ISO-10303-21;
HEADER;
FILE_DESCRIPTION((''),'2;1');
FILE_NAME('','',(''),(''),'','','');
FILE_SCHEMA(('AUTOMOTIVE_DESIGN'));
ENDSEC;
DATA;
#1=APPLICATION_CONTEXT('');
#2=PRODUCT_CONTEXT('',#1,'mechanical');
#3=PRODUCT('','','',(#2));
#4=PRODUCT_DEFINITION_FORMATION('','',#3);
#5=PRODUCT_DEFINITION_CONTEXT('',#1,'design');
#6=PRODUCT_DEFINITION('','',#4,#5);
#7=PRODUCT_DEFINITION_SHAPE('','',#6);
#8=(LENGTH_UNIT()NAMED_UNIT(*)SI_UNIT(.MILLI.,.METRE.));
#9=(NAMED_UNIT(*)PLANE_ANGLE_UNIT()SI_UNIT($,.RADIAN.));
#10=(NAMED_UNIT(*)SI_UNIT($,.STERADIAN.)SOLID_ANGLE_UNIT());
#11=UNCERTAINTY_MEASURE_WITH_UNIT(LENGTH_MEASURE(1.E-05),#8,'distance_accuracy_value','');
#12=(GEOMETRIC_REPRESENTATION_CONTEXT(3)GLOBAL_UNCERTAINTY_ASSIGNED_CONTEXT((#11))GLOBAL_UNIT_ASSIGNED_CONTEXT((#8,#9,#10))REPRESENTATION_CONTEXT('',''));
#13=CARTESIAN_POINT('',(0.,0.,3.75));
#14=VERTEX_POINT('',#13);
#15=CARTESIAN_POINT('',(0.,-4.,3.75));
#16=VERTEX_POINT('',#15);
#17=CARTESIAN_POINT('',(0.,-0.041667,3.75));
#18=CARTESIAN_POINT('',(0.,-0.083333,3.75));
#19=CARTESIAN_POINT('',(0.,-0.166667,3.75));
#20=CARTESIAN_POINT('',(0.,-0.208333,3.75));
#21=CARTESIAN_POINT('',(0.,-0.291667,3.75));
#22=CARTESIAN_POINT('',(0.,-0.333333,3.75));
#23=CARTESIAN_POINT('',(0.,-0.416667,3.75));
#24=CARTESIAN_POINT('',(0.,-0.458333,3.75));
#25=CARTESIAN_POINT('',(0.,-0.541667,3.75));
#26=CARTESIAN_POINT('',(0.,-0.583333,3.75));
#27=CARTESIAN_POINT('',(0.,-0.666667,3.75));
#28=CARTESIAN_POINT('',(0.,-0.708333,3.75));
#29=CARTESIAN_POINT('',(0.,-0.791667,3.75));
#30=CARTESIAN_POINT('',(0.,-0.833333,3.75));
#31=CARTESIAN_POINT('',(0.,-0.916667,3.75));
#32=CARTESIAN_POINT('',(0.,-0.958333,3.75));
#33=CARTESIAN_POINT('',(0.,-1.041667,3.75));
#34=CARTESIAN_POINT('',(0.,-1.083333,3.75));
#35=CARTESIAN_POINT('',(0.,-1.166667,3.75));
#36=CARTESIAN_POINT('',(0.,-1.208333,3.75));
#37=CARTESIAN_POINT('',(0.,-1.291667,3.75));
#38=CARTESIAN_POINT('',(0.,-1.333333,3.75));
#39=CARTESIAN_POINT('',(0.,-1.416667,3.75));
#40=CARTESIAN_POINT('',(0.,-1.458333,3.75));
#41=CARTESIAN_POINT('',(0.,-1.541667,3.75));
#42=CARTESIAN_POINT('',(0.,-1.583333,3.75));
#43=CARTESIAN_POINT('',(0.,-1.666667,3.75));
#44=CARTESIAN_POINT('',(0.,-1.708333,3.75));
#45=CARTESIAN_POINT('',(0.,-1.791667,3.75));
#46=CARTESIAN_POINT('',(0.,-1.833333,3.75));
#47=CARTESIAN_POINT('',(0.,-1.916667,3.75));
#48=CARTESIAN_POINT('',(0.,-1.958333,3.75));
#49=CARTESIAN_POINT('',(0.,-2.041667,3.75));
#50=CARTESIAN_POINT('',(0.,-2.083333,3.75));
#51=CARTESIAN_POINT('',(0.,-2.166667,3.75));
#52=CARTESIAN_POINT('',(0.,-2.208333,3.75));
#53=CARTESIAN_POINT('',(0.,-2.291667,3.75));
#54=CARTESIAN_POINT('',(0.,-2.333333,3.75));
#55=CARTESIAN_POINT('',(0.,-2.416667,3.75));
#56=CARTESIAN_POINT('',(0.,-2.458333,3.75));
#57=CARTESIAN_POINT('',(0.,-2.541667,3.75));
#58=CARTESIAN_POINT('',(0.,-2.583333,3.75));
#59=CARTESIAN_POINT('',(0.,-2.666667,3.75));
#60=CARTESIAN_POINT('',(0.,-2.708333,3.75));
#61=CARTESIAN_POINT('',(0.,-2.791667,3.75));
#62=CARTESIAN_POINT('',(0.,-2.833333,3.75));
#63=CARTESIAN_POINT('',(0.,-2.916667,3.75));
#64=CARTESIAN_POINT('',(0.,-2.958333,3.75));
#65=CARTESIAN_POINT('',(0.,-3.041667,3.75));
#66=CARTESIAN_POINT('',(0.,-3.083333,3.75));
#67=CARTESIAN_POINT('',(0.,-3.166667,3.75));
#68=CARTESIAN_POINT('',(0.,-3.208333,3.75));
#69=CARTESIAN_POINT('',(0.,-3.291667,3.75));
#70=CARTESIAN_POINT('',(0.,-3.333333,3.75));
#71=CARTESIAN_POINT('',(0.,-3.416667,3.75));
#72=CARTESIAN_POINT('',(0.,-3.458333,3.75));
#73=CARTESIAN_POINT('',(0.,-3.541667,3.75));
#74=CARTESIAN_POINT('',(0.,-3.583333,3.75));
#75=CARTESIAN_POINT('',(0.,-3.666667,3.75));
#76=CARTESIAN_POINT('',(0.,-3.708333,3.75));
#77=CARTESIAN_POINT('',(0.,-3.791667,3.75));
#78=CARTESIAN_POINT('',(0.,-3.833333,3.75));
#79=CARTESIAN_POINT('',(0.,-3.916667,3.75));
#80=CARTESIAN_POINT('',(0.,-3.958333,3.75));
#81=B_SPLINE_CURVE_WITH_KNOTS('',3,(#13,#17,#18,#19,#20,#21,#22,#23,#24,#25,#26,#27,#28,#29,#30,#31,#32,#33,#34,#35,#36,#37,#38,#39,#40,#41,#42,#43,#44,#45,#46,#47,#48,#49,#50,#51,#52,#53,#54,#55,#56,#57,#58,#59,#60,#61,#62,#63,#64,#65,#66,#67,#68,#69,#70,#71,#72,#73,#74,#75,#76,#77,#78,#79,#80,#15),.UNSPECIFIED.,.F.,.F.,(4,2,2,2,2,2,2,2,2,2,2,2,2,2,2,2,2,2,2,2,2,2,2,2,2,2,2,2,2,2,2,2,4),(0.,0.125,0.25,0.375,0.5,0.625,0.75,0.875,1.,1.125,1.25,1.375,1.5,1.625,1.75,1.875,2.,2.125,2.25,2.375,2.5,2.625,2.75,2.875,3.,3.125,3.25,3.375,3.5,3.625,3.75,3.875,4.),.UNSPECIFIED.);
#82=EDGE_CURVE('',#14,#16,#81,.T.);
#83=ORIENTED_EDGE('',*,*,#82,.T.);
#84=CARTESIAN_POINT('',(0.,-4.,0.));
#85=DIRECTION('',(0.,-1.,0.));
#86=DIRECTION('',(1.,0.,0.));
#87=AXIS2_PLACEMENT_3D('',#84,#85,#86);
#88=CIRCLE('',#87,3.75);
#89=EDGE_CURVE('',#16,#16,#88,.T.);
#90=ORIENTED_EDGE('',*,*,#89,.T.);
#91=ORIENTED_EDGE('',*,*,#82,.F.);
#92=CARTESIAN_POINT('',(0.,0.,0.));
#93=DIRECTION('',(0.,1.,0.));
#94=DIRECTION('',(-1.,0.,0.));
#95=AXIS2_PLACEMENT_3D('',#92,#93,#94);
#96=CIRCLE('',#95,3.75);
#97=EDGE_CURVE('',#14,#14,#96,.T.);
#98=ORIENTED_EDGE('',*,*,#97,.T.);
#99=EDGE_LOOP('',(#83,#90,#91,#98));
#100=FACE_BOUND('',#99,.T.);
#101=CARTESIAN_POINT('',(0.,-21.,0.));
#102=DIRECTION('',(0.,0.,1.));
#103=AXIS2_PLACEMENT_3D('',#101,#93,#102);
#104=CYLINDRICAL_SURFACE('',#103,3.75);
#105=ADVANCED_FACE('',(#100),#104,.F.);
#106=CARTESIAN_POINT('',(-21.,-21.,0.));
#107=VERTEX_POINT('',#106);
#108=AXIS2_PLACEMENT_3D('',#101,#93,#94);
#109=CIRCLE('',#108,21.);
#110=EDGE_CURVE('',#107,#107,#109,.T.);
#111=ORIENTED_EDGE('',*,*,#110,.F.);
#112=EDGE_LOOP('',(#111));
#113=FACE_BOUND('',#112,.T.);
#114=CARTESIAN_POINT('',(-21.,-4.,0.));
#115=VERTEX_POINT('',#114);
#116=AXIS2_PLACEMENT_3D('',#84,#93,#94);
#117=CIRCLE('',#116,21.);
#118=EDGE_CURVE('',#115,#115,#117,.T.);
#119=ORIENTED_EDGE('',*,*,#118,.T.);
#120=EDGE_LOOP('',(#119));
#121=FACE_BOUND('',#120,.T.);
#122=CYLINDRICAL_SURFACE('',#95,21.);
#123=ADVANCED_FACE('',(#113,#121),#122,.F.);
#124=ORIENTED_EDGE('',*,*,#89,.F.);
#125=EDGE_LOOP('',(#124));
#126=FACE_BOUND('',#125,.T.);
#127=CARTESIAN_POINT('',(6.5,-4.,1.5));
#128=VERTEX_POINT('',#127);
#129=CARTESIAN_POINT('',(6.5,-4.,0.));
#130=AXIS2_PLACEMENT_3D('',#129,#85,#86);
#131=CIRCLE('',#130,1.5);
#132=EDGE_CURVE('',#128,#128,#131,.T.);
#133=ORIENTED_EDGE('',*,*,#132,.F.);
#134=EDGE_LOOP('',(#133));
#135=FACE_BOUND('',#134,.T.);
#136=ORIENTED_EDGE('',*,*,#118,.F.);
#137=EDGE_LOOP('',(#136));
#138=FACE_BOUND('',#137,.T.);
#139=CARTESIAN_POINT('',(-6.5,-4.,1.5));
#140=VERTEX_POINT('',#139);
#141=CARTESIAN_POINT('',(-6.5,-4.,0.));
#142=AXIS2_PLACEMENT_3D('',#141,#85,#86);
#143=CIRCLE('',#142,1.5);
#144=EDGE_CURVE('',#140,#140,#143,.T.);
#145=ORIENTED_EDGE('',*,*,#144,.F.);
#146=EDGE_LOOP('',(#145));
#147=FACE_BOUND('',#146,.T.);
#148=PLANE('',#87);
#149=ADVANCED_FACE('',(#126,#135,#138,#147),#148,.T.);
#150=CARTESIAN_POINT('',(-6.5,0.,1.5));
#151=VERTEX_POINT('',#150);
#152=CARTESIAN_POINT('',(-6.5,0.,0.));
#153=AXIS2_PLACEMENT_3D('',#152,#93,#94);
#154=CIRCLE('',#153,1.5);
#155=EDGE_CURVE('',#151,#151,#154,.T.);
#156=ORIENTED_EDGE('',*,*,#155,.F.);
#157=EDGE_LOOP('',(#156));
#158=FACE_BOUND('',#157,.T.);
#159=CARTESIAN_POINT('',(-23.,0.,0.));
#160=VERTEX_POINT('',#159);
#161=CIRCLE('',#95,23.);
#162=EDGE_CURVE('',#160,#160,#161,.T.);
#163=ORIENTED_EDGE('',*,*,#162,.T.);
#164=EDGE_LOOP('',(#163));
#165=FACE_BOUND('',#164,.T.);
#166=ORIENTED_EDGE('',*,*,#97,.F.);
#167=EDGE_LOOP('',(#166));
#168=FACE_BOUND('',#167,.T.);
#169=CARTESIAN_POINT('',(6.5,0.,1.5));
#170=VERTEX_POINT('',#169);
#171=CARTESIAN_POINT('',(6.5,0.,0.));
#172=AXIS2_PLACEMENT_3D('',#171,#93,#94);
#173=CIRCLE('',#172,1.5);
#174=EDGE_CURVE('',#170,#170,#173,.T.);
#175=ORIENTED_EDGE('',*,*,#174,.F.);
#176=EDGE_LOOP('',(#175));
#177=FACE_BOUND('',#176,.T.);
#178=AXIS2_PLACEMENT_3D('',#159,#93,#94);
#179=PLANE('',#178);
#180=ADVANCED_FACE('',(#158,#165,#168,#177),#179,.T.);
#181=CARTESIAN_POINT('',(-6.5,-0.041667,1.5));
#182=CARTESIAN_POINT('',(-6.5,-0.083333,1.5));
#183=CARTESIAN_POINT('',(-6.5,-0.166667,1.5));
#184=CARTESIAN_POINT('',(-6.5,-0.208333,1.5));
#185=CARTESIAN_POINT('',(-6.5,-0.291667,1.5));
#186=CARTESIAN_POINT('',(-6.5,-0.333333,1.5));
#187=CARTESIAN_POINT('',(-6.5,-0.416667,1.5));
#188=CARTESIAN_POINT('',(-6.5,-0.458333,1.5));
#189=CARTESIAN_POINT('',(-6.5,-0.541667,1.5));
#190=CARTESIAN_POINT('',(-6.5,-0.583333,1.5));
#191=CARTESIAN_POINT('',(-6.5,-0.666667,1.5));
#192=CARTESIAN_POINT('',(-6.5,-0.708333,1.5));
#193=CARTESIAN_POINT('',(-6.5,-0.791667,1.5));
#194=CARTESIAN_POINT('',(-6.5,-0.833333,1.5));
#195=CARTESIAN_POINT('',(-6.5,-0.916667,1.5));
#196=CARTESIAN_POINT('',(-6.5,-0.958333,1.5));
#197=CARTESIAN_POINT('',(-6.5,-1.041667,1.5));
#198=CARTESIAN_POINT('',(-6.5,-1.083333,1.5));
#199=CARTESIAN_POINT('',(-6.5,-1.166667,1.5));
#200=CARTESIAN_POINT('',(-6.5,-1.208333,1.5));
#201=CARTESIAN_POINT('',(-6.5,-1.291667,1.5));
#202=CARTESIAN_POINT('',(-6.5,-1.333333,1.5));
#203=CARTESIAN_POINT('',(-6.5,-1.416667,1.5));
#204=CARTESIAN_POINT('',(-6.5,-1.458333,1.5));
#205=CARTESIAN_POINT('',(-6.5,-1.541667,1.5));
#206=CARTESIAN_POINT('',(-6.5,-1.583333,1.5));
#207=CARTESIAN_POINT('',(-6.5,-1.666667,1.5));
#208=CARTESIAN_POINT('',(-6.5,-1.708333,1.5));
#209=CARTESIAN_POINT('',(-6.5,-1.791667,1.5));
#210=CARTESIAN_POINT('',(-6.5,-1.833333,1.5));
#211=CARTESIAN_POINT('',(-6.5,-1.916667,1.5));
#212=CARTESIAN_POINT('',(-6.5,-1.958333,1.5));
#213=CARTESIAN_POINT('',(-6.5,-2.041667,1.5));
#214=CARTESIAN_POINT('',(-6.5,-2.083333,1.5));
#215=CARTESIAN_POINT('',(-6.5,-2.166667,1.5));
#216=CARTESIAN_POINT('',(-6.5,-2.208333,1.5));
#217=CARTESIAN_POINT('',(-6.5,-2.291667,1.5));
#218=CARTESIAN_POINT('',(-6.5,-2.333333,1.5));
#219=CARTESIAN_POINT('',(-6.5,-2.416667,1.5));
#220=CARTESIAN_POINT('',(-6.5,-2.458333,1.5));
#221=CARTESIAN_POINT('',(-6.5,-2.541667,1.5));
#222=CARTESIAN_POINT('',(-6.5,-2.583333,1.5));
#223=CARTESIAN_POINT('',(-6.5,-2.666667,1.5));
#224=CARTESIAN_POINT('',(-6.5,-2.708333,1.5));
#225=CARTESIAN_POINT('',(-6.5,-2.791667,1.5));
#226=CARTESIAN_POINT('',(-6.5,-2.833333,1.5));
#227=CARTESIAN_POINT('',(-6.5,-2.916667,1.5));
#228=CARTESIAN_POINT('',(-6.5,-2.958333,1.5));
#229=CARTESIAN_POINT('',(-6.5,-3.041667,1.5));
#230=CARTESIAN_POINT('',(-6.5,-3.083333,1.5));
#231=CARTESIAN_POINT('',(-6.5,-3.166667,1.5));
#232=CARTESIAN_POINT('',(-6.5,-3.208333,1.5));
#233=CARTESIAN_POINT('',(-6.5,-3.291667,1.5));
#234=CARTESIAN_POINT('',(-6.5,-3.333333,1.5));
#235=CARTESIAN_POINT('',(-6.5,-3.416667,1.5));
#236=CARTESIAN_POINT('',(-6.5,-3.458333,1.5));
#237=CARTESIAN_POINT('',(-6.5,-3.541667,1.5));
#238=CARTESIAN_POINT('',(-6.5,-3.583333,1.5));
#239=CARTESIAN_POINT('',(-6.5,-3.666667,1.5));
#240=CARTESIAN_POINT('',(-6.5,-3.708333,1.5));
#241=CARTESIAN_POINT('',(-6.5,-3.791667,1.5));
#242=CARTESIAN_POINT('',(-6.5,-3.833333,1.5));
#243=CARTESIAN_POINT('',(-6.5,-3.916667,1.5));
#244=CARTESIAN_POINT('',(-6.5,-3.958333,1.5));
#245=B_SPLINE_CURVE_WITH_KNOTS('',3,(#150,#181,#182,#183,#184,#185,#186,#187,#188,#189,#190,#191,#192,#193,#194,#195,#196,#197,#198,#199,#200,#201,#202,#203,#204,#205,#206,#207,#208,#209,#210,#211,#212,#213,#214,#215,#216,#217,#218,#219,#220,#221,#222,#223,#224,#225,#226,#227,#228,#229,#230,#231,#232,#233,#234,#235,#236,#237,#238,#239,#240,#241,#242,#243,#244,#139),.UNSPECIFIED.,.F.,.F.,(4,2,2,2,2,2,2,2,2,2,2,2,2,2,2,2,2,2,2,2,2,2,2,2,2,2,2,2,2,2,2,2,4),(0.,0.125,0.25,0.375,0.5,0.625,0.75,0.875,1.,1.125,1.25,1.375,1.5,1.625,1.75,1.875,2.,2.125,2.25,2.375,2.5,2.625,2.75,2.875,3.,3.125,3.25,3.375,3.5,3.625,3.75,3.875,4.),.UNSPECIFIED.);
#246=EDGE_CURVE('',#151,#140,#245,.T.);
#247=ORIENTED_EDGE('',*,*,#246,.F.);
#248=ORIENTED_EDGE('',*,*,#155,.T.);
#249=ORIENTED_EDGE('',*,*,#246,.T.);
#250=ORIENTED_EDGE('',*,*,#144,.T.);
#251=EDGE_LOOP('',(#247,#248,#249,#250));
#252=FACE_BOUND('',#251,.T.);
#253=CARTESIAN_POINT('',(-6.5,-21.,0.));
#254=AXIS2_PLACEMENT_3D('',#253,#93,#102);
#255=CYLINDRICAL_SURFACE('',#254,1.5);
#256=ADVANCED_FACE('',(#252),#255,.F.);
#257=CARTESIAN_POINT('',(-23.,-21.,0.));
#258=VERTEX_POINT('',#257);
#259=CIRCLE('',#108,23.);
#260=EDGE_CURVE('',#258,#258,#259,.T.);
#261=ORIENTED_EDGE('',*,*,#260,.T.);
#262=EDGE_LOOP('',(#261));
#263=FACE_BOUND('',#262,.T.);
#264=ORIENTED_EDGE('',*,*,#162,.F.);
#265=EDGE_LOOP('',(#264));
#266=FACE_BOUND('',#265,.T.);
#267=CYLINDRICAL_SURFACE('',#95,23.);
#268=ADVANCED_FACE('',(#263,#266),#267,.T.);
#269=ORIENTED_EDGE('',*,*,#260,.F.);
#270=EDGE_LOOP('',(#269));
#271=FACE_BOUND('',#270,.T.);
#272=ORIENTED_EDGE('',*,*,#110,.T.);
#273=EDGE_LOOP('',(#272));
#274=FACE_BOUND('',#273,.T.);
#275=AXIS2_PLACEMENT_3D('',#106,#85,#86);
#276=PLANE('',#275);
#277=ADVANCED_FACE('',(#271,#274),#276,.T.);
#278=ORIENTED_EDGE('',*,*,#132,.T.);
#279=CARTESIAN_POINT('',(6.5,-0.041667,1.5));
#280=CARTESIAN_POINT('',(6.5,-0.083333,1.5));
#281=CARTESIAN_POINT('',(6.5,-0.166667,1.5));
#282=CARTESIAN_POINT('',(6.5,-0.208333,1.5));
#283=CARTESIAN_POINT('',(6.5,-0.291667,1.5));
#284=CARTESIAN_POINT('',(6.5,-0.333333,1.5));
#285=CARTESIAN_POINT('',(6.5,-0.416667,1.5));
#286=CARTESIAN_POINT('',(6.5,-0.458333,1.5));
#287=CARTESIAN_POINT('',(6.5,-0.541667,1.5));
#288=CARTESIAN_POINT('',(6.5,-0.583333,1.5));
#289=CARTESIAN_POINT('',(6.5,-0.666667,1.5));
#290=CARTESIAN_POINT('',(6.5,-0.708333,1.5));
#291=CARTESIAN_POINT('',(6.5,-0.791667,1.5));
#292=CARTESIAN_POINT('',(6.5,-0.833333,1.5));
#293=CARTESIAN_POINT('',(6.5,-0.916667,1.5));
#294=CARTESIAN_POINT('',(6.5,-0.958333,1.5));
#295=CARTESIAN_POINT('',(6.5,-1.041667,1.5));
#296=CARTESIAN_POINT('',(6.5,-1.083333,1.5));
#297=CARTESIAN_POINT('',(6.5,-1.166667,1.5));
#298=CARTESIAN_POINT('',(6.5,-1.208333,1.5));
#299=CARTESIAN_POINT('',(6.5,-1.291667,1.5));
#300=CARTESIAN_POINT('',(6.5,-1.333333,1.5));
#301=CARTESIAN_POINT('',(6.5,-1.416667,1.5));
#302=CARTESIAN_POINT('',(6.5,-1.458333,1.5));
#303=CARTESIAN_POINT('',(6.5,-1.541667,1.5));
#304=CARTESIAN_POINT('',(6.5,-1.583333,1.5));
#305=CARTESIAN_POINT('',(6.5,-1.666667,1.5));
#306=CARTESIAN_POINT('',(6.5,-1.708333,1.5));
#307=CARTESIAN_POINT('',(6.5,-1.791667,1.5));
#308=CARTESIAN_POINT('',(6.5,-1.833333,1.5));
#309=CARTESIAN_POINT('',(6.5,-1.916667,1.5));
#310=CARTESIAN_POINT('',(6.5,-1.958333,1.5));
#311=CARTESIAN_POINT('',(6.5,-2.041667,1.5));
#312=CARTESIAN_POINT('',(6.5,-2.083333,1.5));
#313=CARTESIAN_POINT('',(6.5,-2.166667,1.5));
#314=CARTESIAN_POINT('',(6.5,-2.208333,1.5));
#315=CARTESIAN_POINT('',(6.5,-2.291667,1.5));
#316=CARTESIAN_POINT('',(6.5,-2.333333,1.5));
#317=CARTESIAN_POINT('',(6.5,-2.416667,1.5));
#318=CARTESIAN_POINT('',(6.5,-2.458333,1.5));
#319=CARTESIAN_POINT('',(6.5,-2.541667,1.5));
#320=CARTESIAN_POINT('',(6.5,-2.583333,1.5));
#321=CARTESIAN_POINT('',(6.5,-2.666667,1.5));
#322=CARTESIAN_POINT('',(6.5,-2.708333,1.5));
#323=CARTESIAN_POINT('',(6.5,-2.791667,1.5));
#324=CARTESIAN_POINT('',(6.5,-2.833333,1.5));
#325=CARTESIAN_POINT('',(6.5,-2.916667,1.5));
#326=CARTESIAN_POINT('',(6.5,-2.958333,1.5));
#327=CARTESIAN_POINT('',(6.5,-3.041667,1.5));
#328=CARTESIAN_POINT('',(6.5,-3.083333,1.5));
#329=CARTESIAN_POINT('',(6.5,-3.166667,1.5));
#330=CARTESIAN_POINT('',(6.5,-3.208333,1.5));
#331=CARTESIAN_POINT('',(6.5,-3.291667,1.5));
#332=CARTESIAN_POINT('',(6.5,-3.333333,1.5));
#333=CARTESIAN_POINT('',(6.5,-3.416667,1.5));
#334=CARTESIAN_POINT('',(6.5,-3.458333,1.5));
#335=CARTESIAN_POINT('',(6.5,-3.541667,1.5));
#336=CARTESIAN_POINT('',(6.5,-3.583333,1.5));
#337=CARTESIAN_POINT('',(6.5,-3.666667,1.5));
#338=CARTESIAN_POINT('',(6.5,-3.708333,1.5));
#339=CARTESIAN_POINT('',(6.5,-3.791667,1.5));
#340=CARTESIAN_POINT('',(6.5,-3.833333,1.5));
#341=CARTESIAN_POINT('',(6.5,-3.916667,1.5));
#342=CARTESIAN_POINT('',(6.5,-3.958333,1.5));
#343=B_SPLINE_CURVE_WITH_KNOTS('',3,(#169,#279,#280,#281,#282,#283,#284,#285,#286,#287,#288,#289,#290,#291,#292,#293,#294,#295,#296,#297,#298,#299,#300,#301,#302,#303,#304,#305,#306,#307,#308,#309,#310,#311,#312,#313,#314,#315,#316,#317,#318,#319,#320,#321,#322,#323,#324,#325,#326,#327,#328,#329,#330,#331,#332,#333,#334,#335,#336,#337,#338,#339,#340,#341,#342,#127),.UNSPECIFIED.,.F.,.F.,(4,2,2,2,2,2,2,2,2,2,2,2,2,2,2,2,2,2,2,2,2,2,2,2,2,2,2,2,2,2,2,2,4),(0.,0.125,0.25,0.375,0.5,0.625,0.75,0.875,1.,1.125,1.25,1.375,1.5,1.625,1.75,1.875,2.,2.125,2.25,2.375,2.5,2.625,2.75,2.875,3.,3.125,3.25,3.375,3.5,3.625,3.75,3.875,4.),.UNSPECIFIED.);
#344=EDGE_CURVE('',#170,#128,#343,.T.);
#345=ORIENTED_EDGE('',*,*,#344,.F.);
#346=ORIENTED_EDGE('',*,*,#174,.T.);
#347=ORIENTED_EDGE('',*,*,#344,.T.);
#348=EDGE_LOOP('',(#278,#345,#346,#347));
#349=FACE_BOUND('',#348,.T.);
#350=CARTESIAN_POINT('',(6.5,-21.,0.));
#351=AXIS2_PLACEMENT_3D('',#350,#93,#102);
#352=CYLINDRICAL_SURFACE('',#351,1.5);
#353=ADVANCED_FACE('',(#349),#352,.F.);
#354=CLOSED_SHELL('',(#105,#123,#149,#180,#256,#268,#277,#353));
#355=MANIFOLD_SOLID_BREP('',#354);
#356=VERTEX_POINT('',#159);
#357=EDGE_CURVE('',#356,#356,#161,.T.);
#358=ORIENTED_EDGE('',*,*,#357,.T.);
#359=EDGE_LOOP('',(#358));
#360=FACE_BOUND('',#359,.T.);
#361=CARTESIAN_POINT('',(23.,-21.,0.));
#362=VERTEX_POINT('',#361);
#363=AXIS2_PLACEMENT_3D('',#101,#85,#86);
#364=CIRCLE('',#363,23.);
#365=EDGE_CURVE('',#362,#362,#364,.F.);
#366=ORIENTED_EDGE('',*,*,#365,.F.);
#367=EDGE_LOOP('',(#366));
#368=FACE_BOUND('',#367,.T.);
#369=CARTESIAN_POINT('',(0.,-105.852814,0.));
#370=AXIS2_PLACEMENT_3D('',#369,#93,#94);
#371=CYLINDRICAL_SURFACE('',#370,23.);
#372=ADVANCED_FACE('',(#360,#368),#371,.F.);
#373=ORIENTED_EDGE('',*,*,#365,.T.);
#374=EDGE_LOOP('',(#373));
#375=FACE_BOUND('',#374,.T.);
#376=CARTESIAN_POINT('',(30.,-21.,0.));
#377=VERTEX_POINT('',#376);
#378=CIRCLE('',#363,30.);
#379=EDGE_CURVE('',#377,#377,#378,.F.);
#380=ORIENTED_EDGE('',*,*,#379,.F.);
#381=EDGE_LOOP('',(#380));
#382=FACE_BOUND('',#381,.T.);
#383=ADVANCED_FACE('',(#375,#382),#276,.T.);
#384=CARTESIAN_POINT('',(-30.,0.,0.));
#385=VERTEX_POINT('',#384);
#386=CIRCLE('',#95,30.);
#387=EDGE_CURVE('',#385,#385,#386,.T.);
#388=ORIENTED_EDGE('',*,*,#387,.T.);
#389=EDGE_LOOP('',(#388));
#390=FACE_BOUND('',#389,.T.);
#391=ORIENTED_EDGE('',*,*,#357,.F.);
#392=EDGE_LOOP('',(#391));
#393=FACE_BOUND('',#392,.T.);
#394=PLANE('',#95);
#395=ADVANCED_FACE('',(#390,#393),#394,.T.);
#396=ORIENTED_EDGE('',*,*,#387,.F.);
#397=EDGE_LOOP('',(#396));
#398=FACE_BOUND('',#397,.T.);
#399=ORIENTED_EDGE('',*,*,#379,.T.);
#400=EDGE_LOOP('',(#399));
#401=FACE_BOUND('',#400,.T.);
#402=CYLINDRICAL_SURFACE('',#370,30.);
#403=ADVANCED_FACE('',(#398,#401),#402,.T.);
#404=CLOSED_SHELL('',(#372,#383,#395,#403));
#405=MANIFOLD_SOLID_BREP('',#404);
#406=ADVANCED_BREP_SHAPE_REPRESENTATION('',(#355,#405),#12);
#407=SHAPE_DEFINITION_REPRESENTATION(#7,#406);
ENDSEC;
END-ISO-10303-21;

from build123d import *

# Parameters (mm, degrees)
CUT_EXTRUDE_1_DEPTH      = 39.716921365
CUT_EXTRUDE_1_DEPTH_BACK = 39.716921365
SKETCH_2_R               = 3.75
SKETCH_2_R_2             = 1.5
SKETCH_3_R               = 30
SKETCH_3_R_2             = 23
EXTRUDE_1_DEPTH          = 21


with BuildPart() as part:
    # 草图1 → 旋转1 (revolve)
    with BuildSketch(Plane.XY):
        Polygon((0, 0), (0, -4), (-21, -4), (-21, -21), (-23, -21), (-23, 0), align=None)
    revolve(axis=Axis((0, 0, 0), (0, -1, 0)))

    # 草图2 → 切除-拉伸1 (cut, two sides: drawn at the far end of the back side and taken through both)
    with BuildSketch(Plane(origin=(0, 0, 0), x_dir=(1, 0, 0), z_dir=(0, 1, 0)).offset(-CUT_EXTRUDE_1_DEPTH_BACK)):
        with Locations(Location((0, 0, 0), (0, 0, 270))):
            Circle(SKETCH_2_R)
        with Locations(Location((-6.5, 0, 0), (0, 0, 270))):
            Circle(SKETCH_2_R_2)
        with Locations(Location((6.5, 0, 0), (0, 0, 270))):
            Circle(SKETCH_2_R_2)
    extrude(amount=CUT_EXTRUDE_1_DEPTH + CUT_EXTRUDE_1_DEPTH_BACK, mode=Mode.SUBTRACT)


with BuildPart() as body_2:
    # 草图3 → 凸台-拉伸1 (new body)
    with BuildSketch(Plane(origin=(0, 0, 0), x_dir=(1, 0, 0), z_dir=(0, 1, 0))):
        with Locations(Location((0, 0, 0), (0, 0, 180))):
            Circle(SKETCH_3_R)
        with Locations(Location((0, 0, 0), (0, 0, 180))):
            Circle(SKETCH_3_R_2, mode=Mode.SUBTRACT)
    extrude(amount=-EXTRUDE_1_DEPTH)


solid = Compound([part.part, body_2.part])
